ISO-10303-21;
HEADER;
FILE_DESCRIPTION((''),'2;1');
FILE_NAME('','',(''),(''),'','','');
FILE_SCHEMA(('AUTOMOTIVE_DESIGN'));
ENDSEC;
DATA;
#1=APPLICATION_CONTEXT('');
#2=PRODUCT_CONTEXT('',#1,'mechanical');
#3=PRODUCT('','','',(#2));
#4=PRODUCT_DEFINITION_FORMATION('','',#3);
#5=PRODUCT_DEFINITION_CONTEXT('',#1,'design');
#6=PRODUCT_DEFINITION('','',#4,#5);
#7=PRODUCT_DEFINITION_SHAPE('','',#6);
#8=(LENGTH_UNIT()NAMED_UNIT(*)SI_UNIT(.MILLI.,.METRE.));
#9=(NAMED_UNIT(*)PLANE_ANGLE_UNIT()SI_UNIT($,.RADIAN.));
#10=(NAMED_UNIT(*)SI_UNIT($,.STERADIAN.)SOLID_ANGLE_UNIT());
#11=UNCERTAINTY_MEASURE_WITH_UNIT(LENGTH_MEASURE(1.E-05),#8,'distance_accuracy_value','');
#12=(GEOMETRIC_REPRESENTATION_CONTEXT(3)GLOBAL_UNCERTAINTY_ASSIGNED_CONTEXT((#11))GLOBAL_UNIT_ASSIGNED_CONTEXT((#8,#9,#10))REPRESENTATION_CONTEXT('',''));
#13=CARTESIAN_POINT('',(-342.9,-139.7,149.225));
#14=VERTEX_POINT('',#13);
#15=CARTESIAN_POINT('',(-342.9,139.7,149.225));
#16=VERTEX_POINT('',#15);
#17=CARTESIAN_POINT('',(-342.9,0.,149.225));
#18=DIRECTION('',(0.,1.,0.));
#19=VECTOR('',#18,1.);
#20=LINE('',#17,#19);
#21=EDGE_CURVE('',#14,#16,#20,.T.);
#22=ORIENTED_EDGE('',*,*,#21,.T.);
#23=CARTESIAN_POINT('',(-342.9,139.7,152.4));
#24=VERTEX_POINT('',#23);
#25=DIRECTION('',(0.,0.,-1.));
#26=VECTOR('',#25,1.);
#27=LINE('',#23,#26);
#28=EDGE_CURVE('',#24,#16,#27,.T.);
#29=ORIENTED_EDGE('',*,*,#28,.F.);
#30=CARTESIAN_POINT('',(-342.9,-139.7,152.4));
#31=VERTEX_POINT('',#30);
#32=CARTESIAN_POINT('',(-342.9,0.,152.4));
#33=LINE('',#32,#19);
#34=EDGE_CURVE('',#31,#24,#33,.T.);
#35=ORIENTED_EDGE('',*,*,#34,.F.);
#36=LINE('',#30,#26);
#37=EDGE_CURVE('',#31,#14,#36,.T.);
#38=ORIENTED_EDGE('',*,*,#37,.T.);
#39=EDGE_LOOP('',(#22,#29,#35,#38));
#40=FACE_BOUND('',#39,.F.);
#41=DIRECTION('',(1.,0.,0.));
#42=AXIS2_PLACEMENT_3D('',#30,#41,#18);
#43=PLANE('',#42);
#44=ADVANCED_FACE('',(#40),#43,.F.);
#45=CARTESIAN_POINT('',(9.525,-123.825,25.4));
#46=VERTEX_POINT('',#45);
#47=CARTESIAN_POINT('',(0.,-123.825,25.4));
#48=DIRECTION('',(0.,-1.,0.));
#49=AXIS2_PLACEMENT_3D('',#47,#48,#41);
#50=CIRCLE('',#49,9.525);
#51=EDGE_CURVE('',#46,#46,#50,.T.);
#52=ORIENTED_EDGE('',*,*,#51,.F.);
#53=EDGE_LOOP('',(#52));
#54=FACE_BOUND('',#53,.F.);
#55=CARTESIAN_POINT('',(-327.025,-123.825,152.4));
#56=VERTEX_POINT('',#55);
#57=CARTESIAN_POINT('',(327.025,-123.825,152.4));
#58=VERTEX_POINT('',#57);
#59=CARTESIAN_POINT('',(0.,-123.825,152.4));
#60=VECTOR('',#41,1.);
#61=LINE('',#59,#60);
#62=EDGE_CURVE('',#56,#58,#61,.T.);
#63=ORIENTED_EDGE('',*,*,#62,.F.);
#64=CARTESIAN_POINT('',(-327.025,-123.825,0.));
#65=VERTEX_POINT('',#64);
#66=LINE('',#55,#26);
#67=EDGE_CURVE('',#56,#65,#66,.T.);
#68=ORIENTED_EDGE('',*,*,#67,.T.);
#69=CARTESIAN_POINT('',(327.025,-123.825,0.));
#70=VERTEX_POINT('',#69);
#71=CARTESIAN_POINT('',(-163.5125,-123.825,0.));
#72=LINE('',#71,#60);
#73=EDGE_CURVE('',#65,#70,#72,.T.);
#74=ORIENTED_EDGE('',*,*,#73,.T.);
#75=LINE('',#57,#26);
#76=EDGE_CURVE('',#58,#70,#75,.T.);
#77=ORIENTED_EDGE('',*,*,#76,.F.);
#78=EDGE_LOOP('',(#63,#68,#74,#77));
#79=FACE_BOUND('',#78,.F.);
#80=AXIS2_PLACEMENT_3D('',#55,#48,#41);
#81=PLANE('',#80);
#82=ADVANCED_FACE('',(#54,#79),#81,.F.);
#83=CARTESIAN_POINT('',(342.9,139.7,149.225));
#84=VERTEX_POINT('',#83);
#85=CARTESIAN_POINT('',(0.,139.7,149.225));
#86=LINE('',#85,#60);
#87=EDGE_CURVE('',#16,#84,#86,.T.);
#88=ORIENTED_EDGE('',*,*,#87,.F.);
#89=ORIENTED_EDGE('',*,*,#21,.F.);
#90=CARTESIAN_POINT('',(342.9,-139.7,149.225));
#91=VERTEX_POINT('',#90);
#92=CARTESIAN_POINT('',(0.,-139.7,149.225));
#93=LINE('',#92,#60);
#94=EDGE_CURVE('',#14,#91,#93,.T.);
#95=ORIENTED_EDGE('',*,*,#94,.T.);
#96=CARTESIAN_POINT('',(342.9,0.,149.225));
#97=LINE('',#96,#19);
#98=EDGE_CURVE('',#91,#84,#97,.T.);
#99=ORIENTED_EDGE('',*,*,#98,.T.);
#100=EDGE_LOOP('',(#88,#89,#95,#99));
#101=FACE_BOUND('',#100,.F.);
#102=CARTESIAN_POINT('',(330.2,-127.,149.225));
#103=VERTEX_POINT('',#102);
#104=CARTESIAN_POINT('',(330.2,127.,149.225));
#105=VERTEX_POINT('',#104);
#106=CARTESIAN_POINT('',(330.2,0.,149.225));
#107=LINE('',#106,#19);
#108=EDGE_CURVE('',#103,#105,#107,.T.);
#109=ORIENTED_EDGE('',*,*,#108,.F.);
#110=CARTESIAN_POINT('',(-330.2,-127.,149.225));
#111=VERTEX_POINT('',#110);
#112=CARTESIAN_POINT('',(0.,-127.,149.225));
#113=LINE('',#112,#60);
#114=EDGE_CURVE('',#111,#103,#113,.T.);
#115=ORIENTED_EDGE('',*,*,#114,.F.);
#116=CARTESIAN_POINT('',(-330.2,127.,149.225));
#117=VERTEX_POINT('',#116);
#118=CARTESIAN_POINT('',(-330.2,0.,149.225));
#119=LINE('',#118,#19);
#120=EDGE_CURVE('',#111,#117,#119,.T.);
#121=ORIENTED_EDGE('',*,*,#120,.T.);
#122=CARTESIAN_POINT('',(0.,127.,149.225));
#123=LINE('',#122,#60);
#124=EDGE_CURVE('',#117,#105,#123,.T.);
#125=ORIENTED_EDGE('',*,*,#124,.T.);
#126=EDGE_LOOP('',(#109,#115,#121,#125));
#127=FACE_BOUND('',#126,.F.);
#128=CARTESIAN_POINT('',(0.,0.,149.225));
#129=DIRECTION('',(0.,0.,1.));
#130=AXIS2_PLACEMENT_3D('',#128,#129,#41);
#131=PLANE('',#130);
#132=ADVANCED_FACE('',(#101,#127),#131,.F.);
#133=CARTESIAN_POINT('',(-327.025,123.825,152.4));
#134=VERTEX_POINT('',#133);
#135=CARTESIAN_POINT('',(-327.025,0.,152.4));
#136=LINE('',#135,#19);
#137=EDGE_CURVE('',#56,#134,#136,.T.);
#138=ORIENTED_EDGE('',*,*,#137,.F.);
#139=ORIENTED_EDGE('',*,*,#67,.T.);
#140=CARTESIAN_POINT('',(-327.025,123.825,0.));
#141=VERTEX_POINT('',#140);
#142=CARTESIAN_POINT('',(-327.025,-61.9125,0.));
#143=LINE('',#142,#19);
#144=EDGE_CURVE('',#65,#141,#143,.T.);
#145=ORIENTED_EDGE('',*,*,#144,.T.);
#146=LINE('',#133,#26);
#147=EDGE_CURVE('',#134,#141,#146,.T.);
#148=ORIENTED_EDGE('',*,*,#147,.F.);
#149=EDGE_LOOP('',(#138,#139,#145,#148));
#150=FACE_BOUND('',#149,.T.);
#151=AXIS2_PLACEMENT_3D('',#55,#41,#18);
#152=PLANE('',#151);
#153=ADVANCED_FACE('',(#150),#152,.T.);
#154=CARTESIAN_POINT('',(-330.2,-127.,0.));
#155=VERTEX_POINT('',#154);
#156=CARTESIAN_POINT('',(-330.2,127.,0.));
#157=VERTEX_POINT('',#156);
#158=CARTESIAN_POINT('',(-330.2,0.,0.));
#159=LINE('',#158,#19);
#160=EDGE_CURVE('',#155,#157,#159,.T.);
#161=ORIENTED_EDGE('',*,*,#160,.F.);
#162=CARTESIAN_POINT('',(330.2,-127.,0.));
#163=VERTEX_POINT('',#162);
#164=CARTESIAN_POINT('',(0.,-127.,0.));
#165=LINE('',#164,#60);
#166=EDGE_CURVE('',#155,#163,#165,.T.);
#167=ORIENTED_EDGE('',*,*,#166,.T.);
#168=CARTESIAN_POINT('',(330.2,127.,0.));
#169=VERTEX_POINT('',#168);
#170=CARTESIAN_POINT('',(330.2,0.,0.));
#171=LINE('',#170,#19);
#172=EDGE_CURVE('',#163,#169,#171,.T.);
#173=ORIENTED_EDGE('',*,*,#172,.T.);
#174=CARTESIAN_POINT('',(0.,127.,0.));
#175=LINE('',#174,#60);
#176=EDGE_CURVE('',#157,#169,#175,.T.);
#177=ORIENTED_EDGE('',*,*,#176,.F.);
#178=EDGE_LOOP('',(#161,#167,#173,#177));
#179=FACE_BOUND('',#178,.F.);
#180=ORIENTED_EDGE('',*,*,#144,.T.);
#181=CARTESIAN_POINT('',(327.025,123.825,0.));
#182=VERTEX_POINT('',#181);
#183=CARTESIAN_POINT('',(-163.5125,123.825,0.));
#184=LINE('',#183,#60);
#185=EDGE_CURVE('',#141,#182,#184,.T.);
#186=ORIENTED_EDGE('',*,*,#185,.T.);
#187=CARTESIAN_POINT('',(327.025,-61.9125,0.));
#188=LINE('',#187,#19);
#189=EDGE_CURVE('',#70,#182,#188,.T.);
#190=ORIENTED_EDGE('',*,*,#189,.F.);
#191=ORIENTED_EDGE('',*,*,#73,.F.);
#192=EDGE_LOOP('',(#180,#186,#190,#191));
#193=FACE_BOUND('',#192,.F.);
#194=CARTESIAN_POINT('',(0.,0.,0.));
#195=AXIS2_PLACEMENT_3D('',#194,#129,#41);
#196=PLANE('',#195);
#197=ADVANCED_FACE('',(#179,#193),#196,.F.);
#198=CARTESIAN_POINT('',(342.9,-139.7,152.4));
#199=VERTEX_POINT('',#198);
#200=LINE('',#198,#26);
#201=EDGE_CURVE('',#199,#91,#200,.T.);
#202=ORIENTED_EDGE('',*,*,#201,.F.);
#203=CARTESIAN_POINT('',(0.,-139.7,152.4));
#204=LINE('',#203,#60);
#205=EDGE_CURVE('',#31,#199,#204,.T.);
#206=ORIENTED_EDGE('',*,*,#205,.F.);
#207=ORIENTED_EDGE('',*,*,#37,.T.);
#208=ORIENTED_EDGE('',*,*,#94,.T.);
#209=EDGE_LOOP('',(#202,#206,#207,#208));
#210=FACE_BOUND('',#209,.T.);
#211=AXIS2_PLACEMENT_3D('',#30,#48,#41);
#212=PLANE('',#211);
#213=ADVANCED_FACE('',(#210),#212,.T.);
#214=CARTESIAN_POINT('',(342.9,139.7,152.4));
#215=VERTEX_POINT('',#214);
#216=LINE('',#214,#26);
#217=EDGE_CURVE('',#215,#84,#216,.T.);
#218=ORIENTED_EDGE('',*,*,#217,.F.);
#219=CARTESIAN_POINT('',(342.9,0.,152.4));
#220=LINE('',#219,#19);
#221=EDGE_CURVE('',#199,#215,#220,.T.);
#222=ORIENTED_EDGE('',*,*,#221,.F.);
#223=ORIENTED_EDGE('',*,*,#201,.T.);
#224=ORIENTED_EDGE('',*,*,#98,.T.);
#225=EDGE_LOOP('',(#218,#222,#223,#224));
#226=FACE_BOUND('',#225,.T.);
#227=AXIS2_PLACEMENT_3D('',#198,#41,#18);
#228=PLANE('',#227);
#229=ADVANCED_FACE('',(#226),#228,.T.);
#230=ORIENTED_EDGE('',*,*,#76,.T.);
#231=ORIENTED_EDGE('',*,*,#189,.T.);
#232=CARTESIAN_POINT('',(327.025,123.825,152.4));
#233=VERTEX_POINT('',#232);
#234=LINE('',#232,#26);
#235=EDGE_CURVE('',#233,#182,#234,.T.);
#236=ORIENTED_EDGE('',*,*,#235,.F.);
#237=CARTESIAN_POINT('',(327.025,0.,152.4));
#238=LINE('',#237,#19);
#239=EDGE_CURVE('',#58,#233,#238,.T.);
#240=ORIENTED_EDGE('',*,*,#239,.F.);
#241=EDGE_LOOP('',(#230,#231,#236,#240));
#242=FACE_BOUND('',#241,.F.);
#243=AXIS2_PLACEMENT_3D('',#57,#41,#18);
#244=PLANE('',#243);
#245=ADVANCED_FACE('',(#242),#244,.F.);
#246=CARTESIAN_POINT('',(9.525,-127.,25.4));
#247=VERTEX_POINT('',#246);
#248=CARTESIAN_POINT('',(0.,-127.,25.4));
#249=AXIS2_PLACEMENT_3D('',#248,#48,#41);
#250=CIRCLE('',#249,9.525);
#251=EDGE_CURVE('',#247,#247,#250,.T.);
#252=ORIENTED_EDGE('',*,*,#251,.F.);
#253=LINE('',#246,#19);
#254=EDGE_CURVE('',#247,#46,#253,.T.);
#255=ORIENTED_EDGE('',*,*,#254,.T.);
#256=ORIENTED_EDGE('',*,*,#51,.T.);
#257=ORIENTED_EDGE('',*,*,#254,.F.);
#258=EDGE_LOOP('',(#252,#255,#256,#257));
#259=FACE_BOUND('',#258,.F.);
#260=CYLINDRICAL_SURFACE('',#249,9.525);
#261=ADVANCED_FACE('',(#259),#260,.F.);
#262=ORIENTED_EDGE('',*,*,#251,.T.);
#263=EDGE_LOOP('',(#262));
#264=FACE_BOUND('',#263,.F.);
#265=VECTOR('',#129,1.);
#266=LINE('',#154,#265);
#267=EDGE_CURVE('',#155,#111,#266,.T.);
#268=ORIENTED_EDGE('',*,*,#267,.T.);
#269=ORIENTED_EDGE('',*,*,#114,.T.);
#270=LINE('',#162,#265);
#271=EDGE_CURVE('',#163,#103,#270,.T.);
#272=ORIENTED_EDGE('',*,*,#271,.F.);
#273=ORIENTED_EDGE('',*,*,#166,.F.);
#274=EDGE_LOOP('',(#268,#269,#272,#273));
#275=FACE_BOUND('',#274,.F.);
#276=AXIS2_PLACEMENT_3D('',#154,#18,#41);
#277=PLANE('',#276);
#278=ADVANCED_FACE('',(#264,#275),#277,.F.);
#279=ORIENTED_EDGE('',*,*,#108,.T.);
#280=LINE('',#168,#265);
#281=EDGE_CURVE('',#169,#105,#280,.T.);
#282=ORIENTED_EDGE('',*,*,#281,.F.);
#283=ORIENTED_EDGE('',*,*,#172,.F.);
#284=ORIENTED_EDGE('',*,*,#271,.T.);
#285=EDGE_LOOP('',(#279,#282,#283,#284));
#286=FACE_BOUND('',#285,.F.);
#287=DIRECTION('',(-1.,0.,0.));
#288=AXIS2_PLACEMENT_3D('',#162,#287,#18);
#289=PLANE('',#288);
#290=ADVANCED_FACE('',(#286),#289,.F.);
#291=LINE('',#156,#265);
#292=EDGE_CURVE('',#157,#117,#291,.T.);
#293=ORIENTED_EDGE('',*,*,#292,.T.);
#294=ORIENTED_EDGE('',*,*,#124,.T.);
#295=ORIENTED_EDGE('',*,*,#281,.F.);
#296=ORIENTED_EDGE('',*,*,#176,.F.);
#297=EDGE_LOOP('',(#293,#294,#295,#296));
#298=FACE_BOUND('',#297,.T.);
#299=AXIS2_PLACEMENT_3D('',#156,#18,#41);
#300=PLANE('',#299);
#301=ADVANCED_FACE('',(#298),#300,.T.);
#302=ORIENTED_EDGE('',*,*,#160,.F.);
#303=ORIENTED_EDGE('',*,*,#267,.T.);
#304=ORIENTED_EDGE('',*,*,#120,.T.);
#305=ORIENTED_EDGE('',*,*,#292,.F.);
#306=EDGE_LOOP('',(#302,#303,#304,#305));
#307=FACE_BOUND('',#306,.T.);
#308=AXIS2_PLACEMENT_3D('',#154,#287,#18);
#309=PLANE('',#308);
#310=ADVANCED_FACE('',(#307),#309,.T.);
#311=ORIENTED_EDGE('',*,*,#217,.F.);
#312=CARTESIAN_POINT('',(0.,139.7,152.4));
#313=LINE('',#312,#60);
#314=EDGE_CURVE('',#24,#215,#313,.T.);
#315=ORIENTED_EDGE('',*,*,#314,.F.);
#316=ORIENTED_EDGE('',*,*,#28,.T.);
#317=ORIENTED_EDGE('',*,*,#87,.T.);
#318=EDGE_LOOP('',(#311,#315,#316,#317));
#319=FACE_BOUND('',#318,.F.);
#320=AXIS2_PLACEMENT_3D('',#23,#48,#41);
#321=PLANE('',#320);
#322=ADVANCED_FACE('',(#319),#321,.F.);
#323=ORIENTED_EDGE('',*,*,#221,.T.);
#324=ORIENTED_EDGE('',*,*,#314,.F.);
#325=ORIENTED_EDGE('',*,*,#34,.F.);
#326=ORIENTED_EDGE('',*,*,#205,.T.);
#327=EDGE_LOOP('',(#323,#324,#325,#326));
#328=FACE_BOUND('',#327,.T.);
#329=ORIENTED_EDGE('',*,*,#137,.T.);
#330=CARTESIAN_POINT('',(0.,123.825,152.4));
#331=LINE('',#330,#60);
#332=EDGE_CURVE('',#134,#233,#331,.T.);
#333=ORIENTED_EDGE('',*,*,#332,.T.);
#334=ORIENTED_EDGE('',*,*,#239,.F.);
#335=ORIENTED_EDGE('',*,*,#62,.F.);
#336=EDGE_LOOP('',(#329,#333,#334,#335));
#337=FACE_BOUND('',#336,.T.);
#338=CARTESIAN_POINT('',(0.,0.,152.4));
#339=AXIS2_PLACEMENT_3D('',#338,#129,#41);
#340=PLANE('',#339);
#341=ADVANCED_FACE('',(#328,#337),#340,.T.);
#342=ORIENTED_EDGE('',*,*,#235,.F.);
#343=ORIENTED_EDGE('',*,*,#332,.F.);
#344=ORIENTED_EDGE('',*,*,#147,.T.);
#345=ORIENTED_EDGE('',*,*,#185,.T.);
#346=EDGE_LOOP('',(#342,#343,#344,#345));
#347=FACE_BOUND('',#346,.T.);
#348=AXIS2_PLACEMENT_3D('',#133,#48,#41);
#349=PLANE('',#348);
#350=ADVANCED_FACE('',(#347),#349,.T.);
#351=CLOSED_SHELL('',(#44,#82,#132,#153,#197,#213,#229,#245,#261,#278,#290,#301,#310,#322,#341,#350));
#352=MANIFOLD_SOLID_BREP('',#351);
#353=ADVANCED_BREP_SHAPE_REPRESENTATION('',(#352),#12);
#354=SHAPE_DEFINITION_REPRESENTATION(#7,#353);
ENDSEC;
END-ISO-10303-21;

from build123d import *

# Parameters (mm, degrees)
F0_W     = 660.4
F0_H     = 254
F1_DEPTH = 152.4
F2_W     = 654.05
F2_H     = 247.65
F3_DEPTH = 152.401
F4_W     = 685.8
F4_H     = 279.4
F4_W_2   = 660.4
F4_H_2   = 254
F5_DEPTH = 3.175
F6_R     = 9.525
F7_DEPTH = 3.175


with BuildPart() as f1:
    # F0 (on Top) → F1 (new body)
    with BuildSketch(Plane.XY):
        Rectangle(F0_W, F0_H)
    extrude(amount=F1_DEPTH)

    # F2 (on face) → F3 (cut, through all)
    with BuildSketch(Plane.XY.offset(152.4)):
        Rectangle(F2_W, F2_H)
    extrude(amount=-F3_DEPTH, mode=Mode.SUBTRACT)

    # F4 (on face) → F5 (join)
    with BuildSketch(Plane.XY.offset(152.4)):
        Rectangle(F4_W, F4_H)
        Rectangle(F4_W_2, F4_H_2, mode=Mode.SUBTRACT)
    extrude(amount=-F5_DEPTH)

    # F6 (on face) → F7 (cut, through all)
    with BuildSketch(Plane.XZ.offset(127)):
        with Locations((0, 25.4)):
            Circle(F6_R)
    extrude(amount=-F7_DEPTH, mode=Mode.SUBTRACT)


solid = f1.part
